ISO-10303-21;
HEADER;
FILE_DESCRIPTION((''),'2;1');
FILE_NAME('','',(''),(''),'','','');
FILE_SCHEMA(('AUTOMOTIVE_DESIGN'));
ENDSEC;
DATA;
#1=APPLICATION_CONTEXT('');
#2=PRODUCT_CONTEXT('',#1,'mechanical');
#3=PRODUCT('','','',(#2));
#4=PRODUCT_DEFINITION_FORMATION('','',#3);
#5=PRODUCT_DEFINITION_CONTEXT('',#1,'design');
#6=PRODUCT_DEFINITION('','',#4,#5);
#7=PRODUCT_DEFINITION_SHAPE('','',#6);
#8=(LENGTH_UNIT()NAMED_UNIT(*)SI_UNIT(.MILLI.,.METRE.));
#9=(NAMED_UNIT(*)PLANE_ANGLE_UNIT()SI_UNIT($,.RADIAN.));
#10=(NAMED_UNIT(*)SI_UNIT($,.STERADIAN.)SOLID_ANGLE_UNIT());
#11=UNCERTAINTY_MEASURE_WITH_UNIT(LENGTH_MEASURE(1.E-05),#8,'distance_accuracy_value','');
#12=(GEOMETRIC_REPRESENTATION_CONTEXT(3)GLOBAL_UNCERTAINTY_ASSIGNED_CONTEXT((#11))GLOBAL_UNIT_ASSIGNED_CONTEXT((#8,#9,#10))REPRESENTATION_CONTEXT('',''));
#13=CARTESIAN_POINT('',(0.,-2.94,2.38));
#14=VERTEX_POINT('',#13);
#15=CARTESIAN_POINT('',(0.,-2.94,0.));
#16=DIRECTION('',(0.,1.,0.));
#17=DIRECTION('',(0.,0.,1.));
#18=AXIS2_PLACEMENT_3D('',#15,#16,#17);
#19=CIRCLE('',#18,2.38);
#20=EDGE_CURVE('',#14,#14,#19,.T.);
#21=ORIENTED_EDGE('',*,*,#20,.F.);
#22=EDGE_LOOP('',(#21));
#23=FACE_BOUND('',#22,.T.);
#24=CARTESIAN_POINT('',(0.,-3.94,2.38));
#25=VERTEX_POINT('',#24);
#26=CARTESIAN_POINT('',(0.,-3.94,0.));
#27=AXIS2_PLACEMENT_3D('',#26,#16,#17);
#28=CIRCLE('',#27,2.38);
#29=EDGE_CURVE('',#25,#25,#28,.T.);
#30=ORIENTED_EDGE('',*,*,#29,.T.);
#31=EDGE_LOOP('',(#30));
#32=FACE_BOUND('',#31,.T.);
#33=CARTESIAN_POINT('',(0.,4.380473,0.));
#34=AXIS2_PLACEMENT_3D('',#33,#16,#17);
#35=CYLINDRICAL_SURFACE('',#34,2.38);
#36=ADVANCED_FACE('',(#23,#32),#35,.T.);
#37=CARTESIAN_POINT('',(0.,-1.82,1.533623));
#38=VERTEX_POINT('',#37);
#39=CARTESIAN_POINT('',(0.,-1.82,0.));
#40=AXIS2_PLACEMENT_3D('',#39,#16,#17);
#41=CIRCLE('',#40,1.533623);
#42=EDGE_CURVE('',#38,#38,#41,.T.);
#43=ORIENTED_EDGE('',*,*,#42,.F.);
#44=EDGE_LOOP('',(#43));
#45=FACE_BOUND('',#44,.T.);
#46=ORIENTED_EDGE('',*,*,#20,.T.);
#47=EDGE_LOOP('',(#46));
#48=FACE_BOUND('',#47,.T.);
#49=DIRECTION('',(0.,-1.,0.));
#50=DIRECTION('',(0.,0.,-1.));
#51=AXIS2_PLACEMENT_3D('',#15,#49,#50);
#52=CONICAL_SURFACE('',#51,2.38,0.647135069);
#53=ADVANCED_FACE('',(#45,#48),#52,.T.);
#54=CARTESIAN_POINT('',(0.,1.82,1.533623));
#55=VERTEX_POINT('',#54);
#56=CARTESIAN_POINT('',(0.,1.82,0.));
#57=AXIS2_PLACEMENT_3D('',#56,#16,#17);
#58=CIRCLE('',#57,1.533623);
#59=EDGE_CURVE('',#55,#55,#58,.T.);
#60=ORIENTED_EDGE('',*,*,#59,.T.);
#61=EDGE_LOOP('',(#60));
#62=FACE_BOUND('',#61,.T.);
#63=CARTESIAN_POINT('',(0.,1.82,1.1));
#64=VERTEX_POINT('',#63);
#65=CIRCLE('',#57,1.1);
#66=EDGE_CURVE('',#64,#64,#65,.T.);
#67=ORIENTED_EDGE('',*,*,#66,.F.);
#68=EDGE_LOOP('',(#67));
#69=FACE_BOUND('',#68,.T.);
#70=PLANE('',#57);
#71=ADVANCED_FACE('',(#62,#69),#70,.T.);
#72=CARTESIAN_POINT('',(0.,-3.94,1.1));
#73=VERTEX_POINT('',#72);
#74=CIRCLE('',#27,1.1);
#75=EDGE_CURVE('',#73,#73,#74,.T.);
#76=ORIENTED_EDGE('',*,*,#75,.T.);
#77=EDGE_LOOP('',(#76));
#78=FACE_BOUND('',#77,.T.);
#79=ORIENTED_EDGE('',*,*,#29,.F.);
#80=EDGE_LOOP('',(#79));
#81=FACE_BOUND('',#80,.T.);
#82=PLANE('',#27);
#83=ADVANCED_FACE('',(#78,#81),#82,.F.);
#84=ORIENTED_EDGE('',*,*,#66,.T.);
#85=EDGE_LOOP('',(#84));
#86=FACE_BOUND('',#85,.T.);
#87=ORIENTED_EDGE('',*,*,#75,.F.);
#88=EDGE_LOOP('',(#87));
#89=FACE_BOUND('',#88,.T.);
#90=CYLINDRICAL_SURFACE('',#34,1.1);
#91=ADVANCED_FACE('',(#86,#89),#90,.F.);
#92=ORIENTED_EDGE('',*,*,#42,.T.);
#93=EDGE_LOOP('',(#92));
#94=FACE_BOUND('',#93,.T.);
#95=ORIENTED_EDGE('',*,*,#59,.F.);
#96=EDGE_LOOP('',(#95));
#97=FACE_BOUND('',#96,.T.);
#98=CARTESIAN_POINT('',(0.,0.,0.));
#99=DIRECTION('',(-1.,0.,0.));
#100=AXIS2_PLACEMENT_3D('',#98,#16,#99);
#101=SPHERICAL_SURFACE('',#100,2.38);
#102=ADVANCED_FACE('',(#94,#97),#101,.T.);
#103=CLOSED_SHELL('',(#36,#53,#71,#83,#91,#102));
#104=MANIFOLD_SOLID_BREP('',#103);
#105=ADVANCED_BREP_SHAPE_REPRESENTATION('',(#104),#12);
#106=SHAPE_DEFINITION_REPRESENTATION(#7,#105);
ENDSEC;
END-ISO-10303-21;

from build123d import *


with BuildPart() as part:
    # Sketch2 → Ball Link (revolve)
    with BuildSketch(Plane.XY):
        with BuildLine():
            Line((-1.1, -3.94), (-2.38, -3.94))
            Line((-2.38, -3.94), (-2.38, -2.94))
            Line((-2.38, -2.94), (-1.533623161, -1.82))
            ThreePointArc((-1.533623161, -1.82), (-2.38, 0), (-1.533623161, 1.82))
            Line((-1.533623161, 1.82), (-1.1, 1.82))
            Line((-1.1, 1.82), (-1.1, -3.94))
        make_face()
    revolve(axis=Axis((0, 4.380472835, 0), (0, -1, 0)))


solid = part.part
